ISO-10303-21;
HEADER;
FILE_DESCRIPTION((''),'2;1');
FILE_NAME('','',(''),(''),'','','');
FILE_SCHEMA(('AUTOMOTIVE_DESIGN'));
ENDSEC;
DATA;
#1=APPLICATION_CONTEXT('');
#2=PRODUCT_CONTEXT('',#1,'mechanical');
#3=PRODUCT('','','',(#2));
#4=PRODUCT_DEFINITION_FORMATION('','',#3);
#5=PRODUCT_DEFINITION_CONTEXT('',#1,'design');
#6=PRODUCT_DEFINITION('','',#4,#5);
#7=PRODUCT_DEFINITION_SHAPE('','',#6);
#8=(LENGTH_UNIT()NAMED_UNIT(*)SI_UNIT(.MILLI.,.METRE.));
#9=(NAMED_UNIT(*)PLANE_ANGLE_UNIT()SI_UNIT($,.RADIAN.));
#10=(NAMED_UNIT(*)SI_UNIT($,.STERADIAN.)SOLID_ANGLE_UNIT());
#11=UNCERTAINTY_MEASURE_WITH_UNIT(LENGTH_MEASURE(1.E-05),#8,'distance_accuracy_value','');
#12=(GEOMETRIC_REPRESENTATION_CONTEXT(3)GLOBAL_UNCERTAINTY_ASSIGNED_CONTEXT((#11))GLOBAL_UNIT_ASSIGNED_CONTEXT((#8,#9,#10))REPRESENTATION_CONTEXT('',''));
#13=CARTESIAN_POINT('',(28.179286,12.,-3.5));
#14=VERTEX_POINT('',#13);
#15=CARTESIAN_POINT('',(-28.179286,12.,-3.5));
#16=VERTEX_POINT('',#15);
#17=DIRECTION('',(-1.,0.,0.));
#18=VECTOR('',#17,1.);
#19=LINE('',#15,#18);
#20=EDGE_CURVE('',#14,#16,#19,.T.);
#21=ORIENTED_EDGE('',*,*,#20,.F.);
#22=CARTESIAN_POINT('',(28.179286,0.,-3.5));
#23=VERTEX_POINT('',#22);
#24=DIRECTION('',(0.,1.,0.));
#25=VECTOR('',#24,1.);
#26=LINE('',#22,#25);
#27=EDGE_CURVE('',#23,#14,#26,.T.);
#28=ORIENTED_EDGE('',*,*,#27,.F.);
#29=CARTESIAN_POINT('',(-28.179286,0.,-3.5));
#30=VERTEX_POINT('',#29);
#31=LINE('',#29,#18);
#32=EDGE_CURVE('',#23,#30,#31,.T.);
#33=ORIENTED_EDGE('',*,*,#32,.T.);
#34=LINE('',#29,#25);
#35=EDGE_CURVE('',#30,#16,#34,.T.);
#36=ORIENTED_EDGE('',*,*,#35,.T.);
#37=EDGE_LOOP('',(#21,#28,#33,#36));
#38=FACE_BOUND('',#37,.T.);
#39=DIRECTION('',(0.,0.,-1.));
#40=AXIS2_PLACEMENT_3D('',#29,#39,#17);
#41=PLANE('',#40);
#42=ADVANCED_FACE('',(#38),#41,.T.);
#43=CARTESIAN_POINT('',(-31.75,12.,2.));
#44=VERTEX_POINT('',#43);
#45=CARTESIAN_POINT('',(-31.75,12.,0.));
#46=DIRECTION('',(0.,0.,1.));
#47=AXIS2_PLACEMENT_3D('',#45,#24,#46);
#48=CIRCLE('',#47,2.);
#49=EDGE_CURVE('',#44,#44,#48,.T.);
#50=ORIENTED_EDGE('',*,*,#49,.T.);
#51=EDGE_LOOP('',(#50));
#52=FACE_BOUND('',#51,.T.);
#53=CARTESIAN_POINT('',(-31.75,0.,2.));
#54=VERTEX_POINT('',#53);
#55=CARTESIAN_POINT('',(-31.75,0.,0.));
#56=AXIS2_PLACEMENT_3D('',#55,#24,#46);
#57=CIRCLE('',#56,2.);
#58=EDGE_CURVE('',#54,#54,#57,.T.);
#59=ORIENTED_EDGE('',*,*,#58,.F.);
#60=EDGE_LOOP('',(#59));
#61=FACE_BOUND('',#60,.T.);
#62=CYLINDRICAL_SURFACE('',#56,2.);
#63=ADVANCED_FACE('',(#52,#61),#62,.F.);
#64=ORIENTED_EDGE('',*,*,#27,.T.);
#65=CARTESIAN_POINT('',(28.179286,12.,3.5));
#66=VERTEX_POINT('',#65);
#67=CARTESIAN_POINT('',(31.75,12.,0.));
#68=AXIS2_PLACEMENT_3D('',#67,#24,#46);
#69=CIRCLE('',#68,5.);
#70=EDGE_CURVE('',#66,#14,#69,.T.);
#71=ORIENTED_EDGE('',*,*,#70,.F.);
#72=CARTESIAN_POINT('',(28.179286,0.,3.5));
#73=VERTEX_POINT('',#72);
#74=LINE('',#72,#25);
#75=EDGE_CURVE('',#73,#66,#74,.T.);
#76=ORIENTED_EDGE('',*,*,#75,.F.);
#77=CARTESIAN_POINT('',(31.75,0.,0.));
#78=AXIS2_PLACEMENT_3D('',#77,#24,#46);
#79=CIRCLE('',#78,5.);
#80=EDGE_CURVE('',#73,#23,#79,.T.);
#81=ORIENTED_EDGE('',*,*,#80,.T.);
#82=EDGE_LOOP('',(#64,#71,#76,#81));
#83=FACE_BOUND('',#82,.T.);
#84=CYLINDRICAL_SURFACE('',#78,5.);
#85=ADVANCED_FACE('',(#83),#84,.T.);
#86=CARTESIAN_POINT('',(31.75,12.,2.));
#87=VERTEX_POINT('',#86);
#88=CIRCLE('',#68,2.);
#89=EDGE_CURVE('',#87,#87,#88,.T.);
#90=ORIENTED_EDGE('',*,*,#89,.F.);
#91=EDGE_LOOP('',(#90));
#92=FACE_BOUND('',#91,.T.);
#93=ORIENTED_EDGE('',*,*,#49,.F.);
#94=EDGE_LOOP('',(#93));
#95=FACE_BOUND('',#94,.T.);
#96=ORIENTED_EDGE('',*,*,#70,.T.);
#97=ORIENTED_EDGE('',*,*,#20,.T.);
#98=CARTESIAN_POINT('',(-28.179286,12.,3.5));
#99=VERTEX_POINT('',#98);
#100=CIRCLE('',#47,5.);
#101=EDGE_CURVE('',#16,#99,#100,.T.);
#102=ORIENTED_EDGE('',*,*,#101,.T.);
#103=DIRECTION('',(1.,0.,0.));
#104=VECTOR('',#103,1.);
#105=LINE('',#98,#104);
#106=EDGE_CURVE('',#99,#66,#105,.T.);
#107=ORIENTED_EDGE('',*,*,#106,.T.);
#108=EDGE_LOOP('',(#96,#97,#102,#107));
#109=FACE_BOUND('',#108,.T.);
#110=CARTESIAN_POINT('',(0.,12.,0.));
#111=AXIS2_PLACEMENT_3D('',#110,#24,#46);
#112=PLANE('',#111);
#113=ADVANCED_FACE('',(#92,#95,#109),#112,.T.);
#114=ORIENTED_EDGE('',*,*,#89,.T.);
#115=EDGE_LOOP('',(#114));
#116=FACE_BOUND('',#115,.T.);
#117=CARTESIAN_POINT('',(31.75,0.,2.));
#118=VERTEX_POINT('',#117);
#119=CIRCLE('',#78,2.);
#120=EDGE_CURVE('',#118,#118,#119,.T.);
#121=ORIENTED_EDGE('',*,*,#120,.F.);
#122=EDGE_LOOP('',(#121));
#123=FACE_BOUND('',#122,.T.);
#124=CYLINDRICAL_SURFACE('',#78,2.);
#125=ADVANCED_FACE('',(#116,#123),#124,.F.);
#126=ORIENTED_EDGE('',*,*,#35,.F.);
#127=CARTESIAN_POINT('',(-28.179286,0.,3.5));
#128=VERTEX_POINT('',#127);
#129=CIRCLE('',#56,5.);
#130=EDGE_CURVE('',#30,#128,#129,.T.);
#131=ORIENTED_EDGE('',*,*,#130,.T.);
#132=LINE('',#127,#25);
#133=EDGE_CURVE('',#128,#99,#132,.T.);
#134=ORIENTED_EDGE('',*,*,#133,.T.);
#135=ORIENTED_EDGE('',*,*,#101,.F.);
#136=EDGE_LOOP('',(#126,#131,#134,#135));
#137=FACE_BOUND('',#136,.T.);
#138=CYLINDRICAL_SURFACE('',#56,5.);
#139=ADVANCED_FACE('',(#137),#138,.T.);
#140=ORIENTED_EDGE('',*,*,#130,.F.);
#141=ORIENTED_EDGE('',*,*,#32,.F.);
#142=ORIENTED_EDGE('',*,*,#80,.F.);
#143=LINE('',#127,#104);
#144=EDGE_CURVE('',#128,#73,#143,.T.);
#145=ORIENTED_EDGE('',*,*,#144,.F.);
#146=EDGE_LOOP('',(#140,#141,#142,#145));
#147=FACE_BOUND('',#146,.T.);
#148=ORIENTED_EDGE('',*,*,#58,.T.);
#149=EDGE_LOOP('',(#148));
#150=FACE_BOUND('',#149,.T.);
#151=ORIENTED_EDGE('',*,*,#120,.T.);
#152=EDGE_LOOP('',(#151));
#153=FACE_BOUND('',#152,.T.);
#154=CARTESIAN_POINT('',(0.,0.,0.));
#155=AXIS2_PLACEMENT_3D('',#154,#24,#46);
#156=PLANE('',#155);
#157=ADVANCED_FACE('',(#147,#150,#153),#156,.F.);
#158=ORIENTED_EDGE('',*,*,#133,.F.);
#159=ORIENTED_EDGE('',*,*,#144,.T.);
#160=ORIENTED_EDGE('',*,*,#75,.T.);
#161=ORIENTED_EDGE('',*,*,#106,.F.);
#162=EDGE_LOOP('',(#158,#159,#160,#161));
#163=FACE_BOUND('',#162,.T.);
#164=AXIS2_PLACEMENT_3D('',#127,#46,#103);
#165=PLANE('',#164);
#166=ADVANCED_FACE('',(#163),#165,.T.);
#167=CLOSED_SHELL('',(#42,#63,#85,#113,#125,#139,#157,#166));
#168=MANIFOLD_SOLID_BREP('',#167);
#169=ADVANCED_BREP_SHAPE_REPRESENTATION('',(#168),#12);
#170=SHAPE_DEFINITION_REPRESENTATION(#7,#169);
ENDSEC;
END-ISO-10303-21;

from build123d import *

# Parameters (mm, degrees)
CROQUIS1_W              = 56
CROQUIS1_H              = 5
SALIENTE_EXTRUIR1_DEPTH = 12
CROQUIS2_R              = 4
SALIENTE_EXTRUIR2_DEPTH = 12
CROQUIS3_W              = 61.198456306
CROQUIS3_H              = 5.5
SALIENTE_EXTRUIR3_DEPTH = 12
CROQUIS4_R              = 2
CORTAR_EXTRUIR1_DEPTH   = 12
CROQUIS5_R              = 5
SALIENTE_EXTRUIR4_DEPTH = 12
CROQUIS6_W              = 56.358571572
CROQUIS6_H              = 7
SALIENTE_EXTRUIR5_DEPTH = 12
CROQUIS7_R              = 2
CORTAR_EXTRUIR2_DEPTH   = 12


with BuildPart() as part:
    # Croquis1 → Saliente-Extruir1 (new body)
    with BuildSketch(Plane(origin=(0, 0, 0), x_dir=(1, 0, 0), z_dir=(0, 1, 0))):
        Rectangle(CROQUIS1_W, CROQUIS1_H)
    extrude(amount=SALIENTE_EXTRUIR1_DEPTH)

    # Croquis2 → Saliente-Extruir2 (add)
    with BuildSketch(Plane(origin=(0, 12, 0), x_dir=(1, 0, 0), z_dir=(0, 1, 0))):
        with Locations((31.75, 0)):
            Circle(CROQUIS2_R)
        with Locations((-31.75, 0)):
            Circle(CROQUIS2_R)
    extrude(amount=-SALIENTE_EXTRUIR2_DEPTH)

    # Croquis3 → Saliente-Extruir3 (add)
    with BuildSketch(Plane(origin=(0, 12, 0), x_dir=(1, 0, 0), z_dir=(0, 1, 0))):
        Rectangle(CROQUIS3_W, CROQUIS3_H)
    extrude(amount=-SALIENTE_EXTRUIR3_DEPTH)

    # Croquis4 → Cortar-Extruir1 (cut)
    with BuildSketch(Plane(origin=(0, 12, 0), x_dir=(1, 0, 0), z_dir=(0, 1, 0))):
        with Locations((-31.75, 0)):
            Circle(CROQUIS4_R)
        with Locations((31.75, 0)):
            Circle(CROQUIS4_R)
    extrude(amount=-CORTAR_EXTRUIR1_DEPTH, mode=Mode.SUBTRACT)

    # Croquis5 → Saliente-Extruir4 (add)
    with BuildSketch(Plane(origin=(0, 12, 0), x_dir=(1, 0, 0), z_dir=(0, 1, 0))):
        with Locations((-31.75, 0)):
            Circle(CROQUIS5_R)
        with Locations((31.75, 0)):
            Circle(CROQUIS5_R)
    extrude(amount=-SALIENTE_EXTRUIR4_DEPTH)

    # Croquis6 → Saliente-Extruir5 (add)
    with BuildSketch(Plane(origin=(0, 12, 0), x_dir=(1, 0, 0), z_dir=(0, 1, 0))):
        Rectangle(CROQUIS6_W, CROQUIS6_H)
    extrude(amount=-SALIENTE_EXTRUIR5_DEPTH)

    # Croquis7 → Cortar-Extruir2 (cut)
    with BuildSketch(Plane(origin=(0, 12, 0), x_dir=(1, 0, 0), z_dir=(0, 1, 0))):
        with Locations((31.75, 0)):
            Circle(CROQUIS7_R)
        with Locations((-31.75, 0)):
            Circle(CROQUIS7_R)
    extrude(amount=-CORTAR_EXTRUIR2_DEPTH, mode=Mode.SUBTRACT)


solid = part.part
